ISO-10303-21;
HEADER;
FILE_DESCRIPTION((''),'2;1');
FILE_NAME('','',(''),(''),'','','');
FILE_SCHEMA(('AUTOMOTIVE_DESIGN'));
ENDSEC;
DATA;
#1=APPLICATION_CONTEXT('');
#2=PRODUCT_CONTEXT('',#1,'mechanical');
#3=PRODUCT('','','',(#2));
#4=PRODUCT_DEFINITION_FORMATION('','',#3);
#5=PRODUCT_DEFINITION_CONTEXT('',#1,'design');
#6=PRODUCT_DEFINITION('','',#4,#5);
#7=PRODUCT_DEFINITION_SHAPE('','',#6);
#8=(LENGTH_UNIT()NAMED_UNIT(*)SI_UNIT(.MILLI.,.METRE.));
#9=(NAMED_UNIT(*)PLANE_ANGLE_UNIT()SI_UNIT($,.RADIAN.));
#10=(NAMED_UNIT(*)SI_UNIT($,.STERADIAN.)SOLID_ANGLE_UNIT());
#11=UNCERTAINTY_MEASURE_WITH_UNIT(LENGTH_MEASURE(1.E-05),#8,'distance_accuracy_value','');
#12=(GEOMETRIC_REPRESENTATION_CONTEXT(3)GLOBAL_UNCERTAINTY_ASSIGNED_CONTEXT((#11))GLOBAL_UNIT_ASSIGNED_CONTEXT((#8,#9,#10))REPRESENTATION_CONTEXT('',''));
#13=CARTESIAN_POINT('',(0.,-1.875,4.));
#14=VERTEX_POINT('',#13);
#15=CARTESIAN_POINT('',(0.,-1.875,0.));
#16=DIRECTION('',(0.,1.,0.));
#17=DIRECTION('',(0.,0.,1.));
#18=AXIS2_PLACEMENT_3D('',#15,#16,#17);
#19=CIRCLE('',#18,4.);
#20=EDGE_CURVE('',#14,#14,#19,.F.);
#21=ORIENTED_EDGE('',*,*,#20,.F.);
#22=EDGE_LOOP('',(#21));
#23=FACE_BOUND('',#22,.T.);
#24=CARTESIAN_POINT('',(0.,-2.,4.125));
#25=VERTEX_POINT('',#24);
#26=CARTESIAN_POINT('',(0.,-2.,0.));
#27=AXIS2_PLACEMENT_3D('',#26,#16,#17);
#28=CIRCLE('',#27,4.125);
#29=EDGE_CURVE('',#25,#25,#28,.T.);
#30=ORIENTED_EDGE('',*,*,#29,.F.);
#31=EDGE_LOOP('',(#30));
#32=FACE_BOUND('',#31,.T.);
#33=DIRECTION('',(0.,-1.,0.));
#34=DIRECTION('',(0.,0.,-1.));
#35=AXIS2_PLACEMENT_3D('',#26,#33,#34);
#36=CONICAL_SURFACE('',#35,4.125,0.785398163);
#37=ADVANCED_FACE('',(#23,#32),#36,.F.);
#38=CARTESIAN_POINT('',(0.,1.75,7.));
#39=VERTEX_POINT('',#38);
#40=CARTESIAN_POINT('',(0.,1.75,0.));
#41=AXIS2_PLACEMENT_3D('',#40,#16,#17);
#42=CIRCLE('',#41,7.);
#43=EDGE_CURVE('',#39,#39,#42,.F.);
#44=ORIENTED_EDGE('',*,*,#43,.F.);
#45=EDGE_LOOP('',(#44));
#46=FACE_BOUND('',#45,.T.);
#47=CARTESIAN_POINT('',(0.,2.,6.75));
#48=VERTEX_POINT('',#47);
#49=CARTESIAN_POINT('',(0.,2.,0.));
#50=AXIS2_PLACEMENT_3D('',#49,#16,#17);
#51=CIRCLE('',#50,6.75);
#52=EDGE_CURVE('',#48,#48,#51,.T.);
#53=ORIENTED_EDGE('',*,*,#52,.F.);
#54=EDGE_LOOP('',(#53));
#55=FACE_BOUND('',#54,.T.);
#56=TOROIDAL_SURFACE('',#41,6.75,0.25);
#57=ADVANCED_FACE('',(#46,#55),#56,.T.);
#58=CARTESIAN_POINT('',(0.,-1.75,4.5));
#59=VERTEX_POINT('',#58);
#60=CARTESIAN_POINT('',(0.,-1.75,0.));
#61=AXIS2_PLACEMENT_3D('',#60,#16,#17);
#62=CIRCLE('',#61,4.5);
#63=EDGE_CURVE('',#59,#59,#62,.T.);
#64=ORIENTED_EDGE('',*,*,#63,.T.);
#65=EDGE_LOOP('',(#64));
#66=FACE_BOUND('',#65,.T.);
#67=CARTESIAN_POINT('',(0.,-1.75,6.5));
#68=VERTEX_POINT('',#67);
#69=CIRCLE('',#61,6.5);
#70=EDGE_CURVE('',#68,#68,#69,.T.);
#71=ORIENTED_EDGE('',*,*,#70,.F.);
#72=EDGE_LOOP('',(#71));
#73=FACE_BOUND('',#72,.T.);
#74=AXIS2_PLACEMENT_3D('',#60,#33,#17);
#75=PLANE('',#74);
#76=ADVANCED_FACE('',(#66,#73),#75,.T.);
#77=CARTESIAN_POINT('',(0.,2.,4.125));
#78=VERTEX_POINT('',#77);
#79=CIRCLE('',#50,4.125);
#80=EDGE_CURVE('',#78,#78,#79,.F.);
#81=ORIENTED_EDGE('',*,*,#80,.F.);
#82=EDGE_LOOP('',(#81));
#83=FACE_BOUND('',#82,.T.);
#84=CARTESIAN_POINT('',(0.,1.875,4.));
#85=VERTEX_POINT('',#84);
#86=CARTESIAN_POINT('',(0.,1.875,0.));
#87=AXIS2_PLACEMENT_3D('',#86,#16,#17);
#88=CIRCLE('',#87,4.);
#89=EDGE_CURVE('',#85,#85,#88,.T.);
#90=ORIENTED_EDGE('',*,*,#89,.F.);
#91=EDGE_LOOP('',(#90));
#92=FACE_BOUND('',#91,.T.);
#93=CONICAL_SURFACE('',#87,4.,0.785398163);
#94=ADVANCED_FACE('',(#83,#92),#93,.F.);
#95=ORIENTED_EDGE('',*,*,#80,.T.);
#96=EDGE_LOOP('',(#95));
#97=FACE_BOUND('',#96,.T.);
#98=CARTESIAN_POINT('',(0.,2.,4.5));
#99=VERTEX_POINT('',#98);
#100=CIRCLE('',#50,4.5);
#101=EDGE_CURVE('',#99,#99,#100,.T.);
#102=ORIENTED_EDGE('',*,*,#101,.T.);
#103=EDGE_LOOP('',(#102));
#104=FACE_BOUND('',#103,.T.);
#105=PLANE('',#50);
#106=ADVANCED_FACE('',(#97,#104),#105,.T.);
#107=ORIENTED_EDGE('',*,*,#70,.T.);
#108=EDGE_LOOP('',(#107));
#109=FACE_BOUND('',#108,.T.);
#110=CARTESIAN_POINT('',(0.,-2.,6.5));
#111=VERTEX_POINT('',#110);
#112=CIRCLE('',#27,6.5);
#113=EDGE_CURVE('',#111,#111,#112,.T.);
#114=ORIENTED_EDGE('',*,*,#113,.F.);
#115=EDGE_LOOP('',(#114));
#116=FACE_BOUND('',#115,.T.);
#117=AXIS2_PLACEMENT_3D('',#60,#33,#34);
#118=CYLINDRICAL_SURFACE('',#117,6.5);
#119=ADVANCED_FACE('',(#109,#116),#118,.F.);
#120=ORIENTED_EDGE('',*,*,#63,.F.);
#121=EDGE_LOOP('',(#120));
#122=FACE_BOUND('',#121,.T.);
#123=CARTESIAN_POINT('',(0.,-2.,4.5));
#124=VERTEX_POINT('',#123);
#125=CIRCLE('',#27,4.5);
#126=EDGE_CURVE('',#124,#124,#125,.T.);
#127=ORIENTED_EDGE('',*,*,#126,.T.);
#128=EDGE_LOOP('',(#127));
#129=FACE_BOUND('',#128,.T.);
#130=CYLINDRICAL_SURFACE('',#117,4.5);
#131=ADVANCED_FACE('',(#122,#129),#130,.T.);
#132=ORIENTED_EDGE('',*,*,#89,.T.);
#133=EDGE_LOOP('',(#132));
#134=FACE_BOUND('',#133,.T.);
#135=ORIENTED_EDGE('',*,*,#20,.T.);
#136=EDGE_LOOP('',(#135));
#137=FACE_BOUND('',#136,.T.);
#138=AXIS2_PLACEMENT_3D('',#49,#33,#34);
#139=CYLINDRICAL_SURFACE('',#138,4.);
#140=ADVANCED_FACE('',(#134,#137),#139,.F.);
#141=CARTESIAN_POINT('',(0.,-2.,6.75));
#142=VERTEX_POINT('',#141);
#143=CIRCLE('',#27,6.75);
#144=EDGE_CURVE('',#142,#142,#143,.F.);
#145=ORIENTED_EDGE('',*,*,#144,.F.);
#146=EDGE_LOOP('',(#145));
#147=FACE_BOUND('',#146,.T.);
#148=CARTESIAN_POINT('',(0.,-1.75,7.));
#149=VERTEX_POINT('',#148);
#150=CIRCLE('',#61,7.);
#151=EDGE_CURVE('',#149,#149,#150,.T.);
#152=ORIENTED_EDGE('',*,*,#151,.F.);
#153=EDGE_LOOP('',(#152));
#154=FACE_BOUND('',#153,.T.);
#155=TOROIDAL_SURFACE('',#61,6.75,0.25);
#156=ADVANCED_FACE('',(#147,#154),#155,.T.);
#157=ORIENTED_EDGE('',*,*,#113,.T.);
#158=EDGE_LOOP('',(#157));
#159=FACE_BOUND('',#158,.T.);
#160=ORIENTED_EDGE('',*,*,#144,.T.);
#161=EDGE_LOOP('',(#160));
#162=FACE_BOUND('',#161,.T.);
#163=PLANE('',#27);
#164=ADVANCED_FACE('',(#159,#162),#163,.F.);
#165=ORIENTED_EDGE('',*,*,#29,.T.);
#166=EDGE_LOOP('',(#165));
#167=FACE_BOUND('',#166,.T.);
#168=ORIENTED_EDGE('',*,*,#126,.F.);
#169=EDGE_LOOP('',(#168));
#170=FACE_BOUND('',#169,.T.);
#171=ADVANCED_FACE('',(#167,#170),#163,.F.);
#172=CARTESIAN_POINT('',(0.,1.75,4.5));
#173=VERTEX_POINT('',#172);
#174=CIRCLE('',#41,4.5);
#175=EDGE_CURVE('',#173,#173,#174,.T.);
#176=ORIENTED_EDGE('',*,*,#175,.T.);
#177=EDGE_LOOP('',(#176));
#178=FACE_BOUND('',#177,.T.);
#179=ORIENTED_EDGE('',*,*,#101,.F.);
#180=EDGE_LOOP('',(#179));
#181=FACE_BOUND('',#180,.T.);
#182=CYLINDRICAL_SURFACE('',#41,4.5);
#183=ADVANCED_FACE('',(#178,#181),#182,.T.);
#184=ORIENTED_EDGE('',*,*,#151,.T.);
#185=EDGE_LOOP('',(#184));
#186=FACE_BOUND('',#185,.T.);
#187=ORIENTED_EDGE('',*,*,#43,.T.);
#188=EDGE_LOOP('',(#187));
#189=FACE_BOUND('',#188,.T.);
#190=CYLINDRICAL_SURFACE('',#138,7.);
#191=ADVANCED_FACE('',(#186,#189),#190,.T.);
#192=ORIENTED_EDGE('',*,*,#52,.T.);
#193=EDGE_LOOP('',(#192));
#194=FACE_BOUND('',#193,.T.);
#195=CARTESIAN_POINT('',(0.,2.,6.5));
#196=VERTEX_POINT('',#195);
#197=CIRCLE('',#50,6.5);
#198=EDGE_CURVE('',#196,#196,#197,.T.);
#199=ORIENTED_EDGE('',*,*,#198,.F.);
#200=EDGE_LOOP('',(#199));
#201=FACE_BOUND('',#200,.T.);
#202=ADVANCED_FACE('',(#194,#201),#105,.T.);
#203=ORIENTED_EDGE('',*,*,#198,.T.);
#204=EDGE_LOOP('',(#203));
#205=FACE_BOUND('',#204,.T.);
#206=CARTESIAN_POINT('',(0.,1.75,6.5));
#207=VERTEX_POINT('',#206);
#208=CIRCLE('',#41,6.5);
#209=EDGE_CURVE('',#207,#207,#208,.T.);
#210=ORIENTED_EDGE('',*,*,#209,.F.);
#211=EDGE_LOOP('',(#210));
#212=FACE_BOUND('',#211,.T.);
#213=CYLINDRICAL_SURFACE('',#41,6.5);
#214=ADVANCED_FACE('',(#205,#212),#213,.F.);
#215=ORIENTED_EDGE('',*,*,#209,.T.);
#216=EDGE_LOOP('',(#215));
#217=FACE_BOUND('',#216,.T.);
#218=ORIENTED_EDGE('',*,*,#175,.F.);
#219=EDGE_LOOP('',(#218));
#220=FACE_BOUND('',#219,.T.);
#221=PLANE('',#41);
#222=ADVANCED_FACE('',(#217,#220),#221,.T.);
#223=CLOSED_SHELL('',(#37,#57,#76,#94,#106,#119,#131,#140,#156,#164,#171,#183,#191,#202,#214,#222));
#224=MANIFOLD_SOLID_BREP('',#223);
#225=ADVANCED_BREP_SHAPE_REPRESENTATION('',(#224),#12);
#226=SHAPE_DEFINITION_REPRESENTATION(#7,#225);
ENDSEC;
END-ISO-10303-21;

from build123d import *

# Parameters (mm, degrees)
SKETCH2_R           = 7
SKETCH2_R_2         = 4
BOSS_EXTRUDE1_DEPTH = 2
SKETCH3_R           = 6.5
SKETCH3_R_2         = 4.5
CUT_EXTRUDE1_DEPTH  = 0.25
FILLET1_R           = 0.25
CHAMFER1_SIZE       = 0.125


with BuildPart() as part:
    # Sketch2 → Boss-Extrude1 (new body, symmetric)
    with BuildSketch(Plane(origin=(0, 0, 0), x_dir=(1, 0, 0), z_dir=(0, 1, 0))):
        Circle(SKETCH2_R)
        Circle(SKETCH2_R_2, mode=Mode.SUBTRACT)
    extrude(amount=BOSS_EXTRUDE1_DEPTH, both=True)

    # Sketch3 → Cut-Extrude1 (cut)
    with BuildSketch(Plane(origin=(0, 2, 0), x_dir=(1, 0, 0), z_dir=(0, 1, 0))):
        Circle(SKETCH3_R)
        Circle(SKETCH3_R_2, mode=Mode.SUBTRACT)
    cut_extrude1 = extrude(amount=-CUT_EXTRUDE1_DEPTH, mode=Mode.SUBTRACT)

    # Mirror1: Cut-Extrude1 across plane
    add(cut_extrude1.mirror(Plane.ZX), mode=Mode.SUBTRACT)

    # Fillet1
    fillet1_edges = [part.edges().sort_by_distance(p)[0] for p in [
        (-7, -2, 0),
        (-7, 2, 0),
    ]]
    fillet(fillet1_edges, radius=FILLET1_R)

    # Chamfer1
    chamfer1_edges = [part.edges().sort_by_distance(p)[0] for p in [
        (-4, -2, 0),
        (-4, 2, 0),
    ]]
    chamfer(chamfer1_edges, length=CHAMFER1_SIZE)


solid = part.part
